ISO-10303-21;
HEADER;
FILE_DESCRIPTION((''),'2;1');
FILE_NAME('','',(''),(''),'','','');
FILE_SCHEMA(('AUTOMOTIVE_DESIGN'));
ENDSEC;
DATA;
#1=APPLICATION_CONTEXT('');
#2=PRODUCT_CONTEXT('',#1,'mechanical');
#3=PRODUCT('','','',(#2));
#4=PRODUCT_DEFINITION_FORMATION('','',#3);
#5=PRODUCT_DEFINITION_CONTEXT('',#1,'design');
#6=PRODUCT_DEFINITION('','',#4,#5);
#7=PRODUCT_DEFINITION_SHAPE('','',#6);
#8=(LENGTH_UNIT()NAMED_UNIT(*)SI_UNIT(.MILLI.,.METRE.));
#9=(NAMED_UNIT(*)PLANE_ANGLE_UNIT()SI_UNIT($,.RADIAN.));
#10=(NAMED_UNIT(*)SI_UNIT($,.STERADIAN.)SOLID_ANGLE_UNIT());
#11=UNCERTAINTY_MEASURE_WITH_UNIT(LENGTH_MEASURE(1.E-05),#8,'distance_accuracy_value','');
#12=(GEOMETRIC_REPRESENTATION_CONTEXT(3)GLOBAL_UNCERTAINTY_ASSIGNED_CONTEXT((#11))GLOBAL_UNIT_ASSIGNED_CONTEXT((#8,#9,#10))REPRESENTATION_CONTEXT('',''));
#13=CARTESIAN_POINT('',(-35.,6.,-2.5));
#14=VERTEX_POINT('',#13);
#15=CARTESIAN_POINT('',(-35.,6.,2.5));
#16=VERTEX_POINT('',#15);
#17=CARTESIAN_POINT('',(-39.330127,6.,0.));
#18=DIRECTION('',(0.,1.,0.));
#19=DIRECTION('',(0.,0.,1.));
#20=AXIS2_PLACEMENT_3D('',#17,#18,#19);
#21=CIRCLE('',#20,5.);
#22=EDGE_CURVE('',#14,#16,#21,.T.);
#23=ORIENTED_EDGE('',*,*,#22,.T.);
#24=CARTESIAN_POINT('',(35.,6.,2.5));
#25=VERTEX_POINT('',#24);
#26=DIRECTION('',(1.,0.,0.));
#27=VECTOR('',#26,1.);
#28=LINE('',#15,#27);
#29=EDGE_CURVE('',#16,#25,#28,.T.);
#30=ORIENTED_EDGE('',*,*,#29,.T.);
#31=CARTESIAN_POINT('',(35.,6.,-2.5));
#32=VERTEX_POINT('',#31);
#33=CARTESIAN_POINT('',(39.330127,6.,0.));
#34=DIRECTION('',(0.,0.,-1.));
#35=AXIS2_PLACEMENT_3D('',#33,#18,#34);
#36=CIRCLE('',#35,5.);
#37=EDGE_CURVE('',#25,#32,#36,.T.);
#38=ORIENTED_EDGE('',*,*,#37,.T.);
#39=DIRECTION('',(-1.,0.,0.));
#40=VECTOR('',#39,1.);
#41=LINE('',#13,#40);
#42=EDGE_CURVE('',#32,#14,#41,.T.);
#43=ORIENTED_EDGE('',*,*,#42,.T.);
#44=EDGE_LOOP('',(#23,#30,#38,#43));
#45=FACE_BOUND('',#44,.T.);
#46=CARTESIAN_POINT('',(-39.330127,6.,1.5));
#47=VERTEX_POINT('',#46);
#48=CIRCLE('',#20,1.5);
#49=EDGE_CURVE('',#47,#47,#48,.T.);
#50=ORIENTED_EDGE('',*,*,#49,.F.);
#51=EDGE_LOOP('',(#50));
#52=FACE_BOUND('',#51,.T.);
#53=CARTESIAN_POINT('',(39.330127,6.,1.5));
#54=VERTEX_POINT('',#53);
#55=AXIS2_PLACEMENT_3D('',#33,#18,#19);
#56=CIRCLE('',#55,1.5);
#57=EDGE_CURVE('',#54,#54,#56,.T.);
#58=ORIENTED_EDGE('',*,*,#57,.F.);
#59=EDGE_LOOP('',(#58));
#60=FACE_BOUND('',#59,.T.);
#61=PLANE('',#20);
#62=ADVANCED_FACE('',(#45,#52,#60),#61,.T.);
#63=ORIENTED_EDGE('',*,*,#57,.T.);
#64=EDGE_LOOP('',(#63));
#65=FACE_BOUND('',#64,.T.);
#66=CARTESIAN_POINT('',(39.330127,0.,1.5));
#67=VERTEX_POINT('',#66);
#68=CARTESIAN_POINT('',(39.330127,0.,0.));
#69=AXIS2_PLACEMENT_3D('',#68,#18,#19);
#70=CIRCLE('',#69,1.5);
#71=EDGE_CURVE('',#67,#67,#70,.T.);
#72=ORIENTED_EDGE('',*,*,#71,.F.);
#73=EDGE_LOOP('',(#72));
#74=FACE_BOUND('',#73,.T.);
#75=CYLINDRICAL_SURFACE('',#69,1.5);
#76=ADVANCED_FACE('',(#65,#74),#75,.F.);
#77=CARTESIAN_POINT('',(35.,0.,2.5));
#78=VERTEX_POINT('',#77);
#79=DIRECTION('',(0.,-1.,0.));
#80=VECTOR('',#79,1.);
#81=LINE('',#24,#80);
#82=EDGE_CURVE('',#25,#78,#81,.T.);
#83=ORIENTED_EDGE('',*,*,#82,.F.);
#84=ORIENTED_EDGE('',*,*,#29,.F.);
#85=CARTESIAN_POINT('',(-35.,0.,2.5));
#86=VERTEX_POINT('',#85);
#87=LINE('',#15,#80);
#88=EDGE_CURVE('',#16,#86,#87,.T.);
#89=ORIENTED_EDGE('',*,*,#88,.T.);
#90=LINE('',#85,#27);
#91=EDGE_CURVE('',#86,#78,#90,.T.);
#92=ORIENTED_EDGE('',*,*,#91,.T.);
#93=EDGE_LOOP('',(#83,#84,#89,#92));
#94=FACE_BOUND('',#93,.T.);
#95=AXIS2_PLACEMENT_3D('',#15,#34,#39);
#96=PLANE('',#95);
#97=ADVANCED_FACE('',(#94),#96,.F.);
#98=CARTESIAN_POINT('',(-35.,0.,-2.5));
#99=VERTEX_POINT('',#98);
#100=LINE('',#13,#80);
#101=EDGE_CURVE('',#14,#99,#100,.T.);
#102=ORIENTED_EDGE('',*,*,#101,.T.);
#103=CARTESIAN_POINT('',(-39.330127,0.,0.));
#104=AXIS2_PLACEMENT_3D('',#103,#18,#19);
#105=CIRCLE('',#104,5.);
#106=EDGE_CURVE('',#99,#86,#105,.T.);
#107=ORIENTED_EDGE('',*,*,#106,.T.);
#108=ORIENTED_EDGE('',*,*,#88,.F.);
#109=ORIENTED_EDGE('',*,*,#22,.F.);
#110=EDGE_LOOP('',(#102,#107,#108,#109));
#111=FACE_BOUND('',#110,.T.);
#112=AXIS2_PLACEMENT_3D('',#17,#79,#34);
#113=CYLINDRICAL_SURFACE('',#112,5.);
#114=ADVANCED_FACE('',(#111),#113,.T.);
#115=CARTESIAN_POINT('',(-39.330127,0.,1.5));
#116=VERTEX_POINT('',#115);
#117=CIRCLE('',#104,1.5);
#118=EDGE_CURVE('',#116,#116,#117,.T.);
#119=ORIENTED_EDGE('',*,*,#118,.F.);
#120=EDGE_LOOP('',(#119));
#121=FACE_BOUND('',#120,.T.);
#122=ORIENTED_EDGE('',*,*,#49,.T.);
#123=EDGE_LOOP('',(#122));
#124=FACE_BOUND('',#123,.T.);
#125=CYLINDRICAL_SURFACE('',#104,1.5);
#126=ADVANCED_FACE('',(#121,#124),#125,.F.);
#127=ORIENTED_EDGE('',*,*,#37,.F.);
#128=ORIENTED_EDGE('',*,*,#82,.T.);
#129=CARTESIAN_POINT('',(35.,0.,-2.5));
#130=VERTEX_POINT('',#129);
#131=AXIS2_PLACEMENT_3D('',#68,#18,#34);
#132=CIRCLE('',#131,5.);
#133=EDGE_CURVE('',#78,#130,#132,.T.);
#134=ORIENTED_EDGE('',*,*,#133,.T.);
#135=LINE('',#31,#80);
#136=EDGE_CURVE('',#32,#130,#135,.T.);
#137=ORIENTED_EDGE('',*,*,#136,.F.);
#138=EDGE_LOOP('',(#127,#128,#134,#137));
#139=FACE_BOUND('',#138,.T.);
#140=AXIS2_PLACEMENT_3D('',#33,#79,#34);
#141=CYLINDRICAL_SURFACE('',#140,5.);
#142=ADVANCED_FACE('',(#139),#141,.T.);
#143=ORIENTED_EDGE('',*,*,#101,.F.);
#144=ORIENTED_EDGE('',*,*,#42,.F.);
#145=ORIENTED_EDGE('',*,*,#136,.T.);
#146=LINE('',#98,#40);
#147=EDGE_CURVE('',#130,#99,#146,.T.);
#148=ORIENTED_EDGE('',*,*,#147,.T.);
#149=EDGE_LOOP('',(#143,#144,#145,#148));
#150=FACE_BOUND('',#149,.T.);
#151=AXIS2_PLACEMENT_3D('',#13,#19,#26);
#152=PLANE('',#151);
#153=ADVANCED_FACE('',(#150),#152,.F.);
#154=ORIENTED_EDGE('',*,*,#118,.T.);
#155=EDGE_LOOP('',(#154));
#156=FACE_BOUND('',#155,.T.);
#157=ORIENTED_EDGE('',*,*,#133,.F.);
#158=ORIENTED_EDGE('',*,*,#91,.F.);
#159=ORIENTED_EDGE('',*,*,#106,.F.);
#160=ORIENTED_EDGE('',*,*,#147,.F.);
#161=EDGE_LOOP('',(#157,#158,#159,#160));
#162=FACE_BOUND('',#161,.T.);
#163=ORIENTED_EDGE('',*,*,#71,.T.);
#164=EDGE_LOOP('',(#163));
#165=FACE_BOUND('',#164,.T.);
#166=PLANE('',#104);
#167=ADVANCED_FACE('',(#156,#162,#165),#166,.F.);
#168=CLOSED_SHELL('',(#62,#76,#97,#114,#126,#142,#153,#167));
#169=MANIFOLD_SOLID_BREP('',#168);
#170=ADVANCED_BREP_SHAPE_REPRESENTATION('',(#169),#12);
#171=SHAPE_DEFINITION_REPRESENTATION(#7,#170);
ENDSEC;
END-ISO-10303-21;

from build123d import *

# Parameters (mm, degrees)
BOSS_EXTRUDE1_DEPTH = 6
SKETCH2_R           = 1.5
CUT_EXTRUDE1_DEPTH  = 46.012888838


with BuildPart() as part:
    # Sketch1 → Boss-Extrude1 (new body)
    with BuildSketch(Plane(origin=(0, 0, 0), x_dir=(1, 0, 0), z_dir=(0, 1, 0))):
        with BuildLine():
            Line((-35, 2.5), (35, 2.5))
            ThreePointArc((35, 2.5), (44.330127019, 0), (35, -2.5))
            Line((35, -2.5), (-35, -2.5))
            ThreePointArc((-35, -2.5), (-44.330127019, 0), (-35, 2.5))
        make_face()
    extrude(amount=BOSS_EXTRUDE1_DEPTH)

    # Sketch2 → Cut-Extrude1 (cut, through all)
    with BuildSketch(Plane(origin=(0, 6, 0), x_dir=(1, 0, 0), z_dir=(0, 1, 0))):
        with Locations(Location((-39.330127019, 0, 0), (0, 0, 270))):
            Circle(SKETCH2_R)
        with Locations(Location((39.330127019, 0, 0), (0, 0, 270))):
            Circle(SKETCH2_R)
    extrude(amount=-CUT_EXTRUDE1_DEPTH, mode=Mode.SUBTRACT)


solid = part.part
